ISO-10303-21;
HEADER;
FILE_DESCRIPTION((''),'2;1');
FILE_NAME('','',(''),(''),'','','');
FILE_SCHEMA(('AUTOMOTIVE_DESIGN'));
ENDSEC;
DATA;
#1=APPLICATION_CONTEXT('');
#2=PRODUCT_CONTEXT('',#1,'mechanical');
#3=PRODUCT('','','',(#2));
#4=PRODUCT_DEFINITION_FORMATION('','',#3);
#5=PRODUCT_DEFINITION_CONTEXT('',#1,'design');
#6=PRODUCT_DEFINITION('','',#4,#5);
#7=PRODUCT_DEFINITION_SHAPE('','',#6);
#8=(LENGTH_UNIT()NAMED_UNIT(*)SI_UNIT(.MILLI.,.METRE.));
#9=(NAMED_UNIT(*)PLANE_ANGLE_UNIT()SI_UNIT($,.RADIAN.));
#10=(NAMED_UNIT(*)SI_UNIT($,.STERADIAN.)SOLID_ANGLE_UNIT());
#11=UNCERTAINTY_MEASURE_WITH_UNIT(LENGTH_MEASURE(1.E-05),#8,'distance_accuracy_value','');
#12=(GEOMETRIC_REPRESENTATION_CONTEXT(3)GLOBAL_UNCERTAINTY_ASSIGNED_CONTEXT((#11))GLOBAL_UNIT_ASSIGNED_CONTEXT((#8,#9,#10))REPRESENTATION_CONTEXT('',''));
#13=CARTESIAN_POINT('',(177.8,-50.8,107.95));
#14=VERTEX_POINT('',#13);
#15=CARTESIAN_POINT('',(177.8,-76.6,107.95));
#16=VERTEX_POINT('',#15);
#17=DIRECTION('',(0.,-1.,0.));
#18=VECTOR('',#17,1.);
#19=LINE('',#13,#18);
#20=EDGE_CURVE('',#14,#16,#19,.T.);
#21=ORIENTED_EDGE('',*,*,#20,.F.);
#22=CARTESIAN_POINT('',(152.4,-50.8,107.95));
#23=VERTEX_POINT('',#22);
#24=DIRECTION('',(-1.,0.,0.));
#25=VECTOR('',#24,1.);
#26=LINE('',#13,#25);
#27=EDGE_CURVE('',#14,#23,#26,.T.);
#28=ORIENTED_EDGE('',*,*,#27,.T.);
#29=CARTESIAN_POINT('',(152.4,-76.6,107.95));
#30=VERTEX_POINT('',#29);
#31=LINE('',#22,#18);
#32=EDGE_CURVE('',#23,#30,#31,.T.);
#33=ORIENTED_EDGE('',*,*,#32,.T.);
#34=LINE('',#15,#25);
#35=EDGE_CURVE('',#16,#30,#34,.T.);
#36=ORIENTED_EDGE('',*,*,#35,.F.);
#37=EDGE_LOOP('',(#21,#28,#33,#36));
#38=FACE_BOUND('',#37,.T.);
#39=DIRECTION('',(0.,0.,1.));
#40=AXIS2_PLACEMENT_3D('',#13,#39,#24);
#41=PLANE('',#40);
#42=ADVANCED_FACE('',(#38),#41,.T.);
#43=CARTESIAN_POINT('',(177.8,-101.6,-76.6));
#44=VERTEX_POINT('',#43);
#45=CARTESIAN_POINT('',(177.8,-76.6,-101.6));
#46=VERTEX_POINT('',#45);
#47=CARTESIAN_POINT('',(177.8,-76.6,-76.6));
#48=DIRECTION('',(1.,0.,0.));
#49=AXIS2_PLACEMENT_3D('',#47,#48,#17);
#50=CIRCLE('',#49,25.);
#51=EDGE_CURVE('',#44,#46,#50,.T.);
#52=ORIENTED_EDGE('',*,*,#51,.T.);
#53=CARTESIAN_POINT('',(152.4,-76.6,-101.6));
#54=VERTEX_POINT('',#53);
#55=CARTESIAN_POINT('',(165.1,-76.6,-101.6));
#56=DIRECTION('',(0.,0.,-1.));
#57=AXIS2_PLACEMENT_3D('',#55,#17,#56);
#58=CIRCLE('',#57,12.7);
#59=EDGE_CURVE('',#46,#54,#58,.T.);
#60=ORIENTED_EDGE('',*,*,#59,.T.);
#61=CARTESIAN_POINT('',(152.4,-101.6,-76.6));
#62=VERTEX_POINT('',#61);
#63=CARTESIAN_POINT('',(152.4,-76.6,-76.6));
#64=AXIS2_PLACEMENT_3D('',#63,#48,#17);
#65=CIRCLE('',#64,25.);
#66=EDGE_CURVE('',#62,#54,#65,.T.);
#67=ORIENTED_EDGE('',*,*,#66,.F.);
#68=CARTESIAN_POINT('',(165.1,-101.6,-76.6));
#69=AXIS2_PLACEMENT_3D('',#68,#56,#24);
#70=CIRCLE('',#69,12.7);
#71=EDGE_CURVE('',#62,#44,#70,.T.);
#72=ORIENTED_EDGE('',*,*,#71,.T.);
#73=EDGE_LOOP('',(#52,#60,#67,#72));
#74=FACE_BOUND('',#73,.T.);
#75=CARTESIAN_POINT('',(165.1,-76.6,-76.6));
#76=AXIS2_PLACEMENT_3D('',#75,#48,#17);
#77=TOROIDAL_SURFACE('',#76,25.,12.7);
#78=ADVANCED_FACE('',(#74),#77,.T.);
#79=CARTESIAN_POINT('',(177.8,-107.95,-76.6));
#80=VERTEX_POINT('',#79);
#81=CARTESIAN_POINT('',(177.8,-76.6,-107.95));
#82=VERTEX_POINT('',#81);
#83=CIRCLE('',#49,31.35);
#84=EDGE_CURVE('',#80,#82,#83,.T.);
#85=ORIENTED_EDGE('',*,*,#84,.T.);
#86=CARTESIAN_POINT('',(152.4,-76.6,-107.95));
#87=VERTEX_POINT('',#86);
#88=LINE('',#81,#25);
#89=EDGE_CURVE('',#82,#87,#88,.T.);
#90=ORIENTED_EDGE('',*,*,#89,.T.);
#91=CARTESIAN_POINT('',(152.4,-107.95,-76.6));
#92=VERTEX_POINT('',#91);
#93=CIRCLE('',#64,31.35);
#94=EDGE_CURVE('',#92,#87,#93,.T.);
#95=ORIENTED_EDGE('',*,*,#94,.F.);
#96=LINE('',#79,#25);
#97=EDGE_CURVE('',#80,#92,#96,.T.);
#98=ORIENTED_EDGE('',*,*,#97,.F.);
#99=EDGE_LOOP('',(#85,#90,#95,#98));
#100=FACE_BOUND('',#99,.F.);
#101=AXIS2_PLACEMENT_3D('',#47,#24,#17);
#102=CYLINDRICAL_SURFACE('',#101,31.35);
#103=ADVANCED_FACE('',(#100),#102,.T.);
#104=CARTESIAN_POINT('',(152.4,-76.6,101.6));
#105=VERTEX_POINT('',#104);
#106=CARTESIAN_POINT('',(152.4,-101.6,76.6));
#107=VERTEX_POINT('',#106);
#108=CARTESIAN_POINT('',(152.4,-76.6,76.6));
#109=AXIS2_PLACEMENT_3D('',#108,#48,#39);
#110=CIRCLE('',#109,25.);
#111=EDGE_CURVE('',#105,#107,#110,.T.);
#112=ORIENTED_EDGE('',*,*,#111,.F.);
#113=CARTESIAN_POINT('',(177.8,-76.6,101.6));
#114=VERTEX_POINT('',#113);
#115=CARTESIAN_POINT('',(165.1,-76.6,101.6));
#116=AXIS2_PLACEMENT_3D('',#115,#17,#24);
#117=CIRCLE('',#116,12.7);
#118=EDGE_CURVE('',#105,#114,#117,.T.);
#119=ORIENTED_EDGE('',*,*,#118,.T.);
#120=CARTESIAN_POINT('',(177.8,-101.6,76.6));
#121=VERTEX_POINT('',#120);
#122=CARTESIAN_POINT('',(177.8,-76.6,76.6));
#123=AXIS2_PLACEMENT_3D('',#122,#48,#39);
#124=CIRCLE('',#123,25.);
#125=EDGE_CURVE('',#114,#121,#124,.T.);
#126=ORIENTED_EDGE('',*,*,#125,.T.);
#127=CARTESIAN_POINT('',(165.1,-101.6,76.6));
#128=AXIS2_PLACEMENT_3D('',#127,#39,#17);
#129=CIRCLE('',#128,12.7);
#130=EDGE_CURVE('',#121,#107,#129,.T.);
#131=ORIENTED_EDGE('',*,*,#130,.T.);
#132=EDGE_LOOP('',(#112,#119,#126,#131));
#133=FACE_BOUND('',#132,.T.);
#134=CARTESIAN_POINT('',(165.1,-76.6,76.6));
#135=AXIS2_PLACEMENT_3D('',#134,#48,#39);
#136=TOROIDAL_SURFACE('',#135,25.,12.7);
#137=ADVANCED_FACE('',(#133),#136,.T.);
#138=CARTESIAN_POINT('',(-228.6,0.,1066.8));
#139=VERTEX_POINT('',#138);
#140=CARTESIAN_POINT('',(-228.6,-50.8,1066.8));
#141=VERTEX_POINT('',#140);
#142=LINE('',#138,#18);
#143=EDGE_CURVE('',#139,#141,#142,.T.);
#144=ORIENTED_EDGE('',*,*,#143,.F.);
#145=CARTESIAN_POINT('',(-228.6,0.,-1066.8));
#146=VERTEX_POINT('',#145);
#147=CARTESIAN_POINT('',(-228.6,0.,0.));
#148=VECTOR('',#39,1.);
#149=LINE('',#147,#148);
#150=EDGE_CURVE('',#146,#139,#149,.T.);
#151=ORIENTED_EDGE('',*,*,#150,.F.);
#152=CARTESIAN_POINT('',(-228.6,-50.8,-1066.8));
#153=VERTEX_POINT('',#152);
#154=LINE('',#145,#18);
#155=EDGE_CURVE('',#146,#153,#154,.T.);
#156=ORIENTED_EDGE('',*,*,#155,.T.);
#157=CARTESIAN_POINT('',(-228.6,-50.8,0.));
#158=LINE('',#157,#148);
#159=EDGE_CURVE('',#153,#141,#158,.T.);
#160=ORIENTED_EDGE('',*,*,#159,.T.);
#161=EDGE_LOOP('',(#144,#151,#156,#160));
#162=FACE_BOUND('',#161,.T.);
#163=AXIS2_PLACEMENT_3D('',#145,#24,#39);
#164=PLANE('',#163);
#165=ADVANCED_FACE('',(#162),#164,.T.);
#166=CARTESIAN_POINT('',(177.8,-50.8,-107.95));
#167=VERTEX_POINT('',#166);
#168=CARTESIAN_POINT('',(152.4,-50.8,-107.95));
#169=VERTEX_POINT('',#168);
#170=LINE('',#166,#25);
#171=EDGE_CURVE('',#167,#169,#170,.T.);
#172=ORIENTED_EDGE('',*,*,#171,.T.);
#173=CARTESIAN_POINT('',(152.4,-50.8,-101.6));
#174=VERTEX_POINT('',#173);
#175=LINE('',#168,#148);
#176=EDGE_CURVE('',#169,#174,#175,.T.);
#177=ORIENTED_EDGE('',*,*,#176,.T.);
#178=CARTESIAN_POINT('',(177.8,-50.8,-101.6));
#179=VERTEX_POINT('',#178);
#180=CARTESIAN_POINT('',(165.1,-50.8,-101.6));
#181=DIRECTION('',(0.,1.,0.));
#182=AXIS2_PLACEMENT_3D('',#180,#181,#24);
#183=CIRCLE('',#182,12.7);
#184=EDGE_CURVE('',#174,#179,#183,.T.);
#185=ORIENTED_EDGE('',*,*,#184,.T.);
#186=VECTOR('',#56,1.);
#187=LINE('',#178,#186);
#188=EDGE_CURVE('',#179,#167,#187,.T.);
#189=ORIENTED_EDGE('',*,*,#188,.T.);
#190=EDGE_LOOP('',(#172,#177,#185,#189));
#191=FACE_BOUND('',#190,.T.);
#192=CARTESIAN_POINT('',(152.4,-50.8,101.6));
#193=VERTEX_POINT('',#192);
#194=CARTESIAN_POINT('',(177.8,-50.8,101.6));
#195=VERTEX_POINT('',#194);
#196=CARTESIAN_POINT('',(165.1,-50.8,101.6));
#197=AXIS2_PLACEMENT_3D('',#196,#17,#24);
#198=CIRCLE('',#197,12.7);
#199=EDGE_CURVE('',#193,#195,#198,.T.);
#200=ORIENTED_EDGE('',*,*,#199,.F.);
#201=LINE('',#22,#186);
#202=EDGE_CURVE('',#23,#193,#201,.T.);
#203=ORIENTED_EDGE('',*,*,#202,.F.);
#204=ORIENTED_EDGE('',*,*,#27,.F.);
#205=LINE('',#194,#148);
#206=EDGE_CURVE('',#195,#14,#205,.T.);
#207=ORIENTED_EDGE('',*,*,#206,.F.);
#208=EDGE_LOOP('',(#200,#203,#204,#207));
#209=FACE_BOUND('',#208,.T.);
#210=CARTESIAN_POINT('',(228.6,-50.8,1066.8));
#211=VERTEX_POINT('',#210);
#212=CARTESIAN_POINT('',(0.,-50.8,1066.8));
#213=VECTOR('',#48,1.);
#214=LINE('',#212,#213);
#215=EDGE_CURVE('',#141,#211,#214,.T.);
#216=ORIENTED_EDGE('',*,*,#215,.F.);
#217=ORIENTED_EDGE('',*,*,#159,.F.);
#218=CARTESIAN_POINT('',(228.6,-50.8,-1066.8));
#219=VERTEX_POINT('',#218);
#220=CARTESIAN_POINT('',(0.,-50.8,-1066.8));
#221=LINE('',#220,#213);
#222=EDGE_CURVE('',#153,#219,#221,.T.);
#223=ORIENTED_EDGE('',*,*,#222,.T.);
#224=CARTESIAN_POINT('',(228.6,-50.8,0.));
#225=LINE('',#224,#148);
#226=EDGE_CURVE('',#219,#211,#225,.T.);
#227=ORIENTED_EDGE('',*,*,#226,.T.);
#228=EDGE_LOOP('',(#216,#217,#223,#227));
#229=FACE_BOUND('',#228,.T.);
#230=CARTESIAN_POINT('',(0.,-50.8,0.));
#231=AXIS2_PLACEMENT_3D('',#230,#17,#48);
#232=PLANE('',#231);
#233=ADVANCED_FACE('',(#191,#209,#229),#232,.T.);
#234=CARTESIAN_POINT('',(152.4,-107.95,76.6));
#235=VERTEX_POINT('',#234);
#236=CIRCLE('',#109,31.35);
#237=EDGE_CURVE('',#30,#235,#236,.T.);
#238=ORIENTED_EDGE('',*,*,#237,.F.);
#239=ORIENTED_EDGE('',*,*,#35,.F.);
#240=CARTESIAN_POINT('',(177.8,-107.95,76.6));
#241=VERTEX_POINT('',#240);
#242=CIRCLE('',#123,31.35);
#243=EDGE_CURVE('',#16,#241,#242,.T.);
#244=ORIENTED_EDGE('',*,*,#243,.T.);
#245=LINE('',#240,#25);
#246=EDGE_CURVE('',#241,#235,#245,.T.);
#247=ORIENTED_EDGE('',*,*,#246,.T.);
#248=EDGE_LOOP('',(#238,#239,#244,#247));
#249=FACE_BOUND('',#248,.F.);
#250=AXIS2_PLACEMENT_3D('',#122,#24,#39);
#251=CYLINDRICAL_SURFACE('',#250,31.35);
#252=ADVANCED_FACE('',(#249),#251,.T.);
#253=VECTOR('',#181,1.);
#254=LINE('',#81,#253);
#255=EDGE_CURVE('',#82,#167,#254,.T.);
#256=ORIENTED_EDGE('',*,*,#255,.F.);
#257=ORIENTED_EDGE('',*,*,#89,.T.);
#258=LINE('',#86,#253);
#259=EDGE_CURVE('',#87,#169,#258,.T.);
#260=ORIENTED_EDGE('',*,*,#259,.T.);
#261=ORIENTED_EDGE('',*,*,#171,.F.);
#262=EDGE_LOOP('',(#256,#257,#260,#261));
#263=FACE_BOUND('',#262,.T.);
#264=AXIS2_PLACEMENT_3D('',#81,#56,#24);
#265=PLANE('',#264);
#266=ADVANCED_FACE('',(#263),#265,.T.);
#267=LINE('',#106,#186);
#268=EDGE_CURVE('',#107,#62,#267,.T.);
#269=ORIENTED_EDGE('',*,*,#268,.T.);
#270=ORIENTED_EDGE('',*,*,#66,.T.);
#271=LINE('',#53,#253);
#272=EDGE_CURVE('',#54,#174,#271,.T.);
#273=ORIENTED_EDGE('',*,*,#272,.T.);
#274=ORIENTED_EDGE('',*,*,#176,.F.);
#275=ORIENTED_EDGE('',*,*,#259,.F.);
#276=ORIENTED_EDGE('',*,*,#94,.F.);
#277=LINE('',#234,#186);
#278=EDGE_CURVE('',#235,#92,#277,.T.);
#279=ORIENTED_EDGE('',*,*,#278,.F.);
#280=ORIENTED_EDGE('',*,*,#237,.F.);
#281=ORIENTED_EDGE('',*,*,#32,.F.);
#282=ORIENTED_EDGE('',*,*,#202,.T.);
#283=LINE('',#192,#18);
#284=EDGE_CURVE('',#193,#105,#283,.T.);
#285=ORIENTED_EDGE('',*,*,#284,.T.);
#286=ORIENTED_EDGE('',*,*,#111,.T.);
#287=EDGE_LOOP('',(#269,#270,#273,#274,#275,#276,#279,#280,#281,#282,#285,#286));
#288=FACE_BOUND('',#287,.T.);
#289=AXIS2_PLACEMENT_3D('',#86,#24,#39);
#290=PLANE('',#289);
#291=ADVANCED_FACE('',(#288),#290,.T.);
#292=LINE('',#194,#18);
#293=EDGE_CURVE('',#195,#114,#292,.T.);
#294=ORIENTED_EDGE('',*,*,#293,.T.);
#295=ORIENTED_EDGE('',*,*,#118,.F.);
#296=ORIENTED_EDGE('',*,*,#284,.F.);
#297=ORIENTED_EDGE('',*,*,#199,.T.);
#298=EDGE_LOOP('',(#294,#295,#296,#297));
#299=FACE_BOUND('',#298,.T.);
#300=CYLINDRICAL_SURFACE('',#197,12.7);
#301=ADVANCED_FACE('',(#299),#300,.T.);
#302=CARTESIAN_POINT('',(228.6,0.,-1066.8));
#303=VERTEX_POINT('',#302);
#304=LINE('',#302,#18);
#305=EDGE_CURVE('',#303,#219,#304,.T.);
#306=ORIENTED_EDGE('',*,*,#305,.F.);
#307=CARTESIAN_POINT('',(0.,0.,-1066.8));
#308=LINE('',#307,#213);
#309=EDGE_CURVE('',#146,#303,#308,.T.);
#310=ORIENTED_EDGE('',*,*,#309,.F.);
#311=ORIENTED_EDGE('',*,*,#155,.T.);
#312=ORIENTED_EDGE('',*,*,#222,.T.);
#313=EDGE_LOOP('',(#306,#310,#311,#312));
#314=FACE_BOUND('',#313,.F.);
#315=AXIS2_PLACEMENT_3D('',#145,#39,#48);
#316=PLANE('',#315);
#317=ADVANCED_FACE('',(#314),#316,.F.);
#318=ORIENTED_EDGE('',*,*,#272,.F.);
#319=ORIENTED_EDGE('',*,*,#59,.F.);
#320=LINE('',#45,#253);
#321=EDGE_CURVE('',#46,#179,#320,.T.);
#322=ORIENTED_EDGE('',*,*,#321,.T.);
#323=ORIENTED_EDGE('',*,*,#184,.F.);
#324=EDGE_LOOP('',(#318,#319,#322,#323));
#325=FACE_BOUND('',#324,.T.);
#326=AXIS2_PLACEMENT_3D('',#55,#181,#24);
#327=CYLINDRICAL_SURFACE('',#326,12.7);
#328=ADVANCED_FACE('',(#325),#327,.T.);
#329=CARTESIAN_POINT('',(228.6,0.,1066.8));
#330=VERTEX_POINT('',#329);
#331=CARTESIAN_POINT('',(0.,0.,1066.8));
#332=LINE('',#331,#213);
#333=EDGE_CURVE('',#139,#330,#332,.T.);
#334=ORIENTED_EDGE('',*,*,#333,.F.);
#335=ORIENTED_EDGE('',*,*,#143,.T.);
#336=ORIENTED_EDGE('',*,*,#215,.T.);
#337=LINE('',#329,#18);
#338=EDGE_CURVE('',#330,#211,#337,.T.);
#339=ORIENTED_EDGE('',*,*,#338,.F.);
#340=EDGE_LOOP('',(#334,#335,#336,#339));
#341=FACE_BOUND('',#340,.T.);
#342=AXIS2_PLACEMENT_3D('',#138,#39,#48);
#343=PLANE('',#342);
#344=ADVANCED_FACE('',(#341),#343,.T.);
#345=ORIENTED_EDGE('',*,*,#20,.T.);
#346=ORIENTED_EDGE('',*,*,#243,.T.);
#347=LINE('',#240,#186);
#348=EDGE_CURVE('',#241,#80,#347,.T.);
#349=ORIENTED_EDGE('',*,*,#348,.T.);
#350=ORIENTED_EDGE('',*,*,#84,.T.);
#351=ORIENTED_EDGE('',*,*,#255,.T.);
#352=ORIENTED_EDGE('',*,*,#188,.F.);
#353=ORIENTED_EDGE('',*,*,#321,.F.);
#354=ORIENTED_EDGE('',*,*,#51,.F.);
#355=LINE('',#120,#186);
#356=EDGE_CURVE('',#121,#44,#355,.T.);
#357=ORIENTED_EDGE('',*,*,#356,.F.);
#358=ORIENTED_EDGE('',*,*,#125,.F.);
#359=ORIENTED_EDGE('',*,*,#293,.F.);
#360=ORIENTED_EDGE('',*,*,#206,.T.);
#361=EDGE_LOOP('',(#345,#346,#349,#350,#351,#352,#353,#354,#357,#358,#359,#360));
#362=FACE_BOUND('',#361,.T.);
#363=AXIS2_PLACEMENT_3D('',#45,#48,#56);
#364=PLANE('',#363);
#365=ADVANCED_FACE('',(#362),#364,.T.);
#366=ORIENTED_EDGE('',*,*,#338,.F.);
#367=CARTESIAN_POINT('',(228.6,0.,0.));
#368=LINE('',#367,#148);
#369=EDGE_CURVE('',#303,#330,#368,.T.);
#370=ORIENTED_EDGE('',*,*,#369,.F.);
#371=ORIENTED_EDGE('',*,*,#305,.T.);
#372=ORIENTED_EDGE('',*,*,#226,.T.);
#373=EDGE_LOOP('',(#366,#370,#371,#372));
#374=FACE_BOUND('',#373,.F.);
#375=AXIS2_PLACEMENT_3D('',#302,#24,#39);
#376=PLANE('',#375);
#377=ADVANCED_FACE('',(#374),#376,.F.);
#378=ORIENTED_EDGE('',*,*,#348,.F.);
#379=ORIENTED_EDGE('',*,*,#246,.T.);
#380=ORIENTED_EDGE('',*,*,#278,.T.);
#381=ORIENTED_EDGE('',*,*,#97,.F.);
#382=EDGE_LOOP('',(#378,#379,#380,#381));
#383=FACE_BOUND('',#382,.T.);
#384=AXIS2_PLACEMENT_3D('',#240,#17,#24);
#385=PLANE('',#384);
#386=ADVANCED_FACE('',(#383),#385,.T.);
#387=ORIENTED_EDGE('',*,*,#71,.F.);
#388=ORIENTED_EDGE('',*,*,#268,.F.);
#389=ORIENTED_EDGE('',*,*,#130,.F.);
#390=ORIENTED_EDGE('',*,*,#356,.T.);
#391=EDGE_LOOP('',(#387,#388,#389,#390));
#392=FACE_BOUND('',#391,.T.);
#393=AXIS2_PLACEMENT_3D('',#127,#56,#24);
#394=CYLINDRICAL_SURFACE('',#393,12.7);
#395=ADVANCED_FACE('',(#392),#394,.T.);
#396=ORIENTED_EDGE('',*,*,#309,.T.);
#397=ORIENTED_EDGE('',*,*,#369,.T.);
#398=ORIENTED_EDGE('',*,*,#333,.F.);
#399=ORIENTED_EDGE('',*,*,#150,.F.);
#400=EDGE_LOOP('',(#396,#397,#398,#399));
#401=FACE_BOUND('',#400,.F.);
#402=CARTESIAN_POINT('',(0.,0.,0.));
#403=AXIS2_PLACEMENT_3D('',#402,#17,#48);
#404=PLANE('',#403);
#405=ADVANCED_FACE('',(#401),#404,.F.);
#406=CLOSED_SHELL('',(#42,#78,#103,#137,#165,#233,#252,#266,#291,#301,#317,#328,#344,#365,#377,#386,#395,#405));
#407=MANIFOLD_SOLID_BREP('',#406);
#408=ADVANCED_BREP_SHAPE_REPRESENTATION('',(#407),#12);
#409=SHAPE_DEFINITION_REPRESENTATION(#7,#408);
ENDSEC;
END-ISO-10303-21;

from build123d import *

# Parameters (mm, degrees)
F0_W     = 457.2
F0_H     = 2133.6
F1_DEPTH = 50.8


with BuildPart() as f1:
    # F0 (on Front) → F1 (new body)
    with BuildSketch(Plane.XZ):
        Rectangle(F0_W, F0_H)
    extrude(amount=F1_DEPTH)

    # F5: sweep along a path in F3
    with BuildLine(Plane.YZ.offset(165.1)) as f5_path:
        Line((-50.8, 101.6), (-76.6, 101.6))
        ThreePointArc((-76.6, 101.6), (-94.2776695297, 94.2776695297), (-101.6, 76.6))
        Line((-101.6, 76.6), (-101.6, -76.6))
        ThreePointArc((-101.6, -76.6), (-94.2776695297, -94.2776695297), (-76.6, -101.6))
        Line((-76.6, -101.6), (-50.8, -101.6))
    # F4 (on face) → F5 (sweep)
    with BuildSketch(Plane.XZ.offset(50.8)):
        with BuildLine():
            Line((177.8, 107.95), (152.4, 107.95))
            Line((152.4, 107.95), (152.4, 101.6))
            ThreePointArc((152.4, 101.6), (165.1, 88.9), (177.8, 101.6))
            Line((177.8, 101.6), (177.8, 107.95))
        make_face()
    sweep(path=f5_path.line)


solid = f1.part
